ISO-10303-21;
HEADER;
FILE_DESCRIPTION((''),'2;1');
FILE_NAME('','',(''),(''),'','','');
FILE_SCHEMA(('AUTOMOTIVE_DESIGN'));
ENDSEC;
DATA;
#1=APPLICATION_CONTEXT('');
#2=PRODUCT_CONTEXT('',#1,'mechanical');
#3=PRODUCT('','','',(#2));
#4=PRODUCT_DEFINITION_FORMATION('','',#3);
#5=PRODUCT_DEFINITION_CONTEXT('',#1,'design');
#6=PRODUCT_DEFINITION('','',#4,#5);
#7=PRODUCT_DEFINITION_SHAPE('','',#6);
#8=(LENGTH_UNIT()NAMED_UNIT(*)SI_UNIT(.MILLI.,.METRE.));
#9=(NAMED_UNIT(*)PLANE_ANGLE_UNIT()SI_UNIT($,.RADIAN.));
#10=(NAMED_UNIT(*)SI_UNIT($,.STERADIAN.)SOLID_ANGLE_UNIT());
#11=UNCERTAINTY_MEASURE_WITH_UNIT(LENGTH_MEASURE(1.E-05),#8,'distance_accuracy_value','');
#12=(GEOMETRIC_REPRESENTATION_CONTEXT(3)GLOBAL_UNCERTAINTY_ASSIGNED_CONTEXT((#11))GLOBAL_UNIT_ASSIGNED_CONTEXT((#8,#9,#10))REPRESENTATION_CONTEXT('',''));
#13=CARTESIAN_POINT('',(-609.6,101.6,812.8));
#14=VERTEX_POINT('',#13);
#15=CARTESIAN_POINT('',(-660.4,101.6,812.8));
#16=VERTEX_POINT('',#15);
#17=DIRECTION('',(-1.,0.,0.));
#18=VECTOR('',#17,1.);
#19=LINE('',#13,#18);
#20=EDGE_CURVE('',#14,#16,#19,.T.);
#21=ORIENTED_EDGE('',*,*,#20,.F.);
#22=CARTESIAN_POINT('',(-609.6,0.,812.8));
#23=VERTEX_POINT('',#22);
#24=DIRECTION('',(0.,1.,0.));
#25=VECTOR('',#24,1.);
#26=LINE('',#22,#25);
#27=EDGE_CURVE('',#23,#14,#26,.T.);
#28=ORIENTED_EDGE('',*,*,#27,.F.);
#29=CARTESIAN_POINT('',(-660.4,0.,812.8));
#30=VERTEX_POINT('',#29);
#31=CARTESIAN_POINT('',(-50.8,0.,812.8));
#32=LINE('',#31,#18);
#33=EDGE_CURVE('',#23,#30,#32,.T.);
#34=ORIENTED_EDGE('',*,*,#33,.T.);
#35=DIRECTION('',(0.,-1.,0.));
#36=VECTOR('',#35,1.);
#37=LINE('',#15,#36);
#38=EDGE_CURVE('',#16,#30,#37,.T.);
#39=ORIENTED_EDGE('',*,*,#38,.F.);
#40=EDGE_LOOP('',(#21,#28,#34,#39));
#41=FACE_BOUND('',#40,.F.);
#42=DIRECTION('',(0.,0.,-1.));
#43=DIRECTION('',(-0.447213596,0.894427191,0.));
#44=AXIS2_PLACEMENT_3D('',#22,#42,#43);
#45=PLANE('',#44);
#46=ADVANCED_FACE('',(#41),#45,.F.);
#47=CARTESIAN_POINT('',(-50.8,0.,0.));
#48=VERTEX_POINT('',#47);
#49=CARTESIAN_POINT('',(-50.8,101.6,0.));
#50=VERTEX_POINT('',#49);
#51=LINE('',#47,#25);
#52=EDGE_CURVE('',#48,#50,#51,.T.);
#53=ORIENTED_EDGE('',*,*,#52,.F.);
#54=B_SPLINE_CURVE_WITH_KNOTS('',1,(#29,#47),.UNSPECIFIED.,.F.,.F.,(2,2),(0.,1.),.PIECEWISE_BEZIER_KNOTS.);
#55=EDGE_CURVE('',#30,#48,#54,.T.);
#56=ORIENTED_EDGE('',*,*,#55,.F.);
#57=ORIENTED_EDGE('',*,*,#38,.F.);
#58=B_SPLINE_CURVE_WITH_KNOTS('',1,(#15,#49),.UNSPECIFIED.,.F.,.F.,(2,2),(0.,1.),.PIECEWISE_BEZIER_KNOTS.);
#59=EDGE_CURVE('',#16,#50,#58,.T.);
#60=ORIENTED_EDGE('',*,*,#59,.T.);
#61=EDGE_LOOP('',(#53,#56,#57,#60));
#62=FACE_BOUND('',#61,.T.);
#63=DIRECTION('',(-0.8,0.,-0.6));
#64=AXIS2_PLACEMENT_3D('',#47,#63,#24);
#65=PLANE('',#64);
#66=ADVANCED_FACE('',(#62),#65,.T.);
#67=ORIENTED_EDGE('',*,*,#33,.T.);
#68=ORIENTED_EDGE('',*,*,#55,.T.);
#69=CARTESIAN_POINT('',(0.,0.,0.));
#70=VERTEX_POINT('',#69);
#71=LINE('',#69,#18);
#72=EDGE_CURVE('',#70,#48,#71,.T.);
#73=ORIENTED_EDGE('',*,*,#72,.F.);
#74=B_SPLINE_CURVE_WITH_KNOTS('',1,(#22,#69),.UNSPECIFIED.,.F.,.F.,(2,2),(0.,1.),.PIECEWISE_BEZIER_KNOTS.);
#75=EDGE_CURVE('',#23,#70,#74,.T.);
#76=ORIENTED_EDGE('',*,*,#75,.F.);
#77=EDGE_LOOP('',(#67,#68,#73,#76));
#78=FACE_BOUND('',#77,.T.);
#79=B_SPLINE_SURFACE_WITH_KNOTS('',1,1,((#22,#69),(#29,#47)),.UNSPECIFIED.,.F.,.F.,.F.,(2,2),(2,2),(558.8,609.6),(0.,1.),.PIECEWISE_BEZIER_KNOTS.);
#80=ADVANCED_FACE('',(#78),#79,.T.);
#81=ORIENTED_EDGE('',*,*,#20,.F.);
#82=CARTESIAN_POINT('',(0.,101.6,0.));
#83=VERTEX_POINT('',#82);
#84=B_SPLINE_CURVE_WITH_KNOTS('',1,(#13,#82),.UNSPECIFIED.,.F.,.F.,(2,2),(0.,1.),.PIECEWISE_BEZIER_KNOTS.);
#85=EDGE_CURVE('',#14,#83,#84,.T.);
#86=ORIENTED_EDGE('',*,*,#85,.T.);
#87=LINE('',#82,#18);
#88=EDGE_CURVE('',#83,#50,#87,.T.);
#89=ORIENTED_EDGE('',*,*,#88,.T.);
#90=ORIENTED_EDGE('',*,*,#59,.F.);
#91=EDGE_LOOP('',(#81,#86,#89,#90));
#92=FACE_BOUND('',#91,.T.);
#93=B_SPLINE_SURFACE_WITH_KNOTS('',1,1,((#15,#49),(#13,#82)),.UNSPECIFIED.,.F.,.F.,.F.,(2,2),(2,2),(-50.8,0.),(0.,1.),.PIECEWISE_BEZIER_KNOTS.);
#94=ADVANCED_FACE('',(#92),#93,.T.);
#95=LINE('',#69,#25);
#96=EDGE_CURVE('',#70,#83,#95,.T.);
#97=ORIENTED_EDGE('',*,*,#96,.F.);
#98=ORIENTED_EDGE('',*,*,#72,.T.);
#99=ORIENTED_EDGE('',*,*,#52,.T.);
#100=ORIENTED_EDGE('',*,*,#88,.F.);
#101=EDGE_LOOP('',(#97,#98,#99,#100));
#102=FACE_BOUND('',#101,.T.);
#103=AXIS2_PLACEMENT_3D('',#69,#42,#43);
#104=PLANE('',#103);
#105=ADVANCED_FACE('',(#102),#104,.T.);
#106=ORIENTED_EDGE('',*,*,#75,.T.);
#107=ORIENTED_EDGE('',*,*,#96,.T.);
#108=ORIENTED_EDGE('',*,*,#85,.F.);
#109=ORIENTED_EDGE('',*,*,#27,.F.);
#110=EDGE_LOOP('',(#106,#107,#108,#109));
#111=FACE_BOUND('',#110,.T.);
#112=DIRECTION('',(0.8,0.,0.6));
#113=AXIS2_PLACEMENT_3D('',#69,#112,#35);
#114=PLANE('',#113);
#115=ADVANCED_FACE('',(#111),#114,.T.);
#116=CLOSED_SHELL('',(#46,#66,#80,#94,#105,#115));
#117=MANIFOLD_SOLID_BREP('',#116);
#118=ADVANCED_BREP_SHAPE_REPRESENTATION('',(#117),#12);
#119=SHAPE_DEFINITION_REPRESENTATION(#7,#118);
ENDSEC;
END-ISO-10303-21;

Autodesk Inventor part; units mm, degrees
ref_plane "YZ Plane" through (0, 0, 0) normal (1, 0, 0) x (0, 1, 0)
ref_plane "XZ Plane" through (0, 0, 0) normal (0, 1, 0) x (-1, 0, 0)
ref_plane "XY Plane" through (0, 0, 0) normal (0, 0, 1) x (1, 0, 0)
ref_plane "Work Plane1" through (0, 0, 0) normal (0, 0, 1) x (1, 0, 0)
sketch "Sketch1" plane through (0, 0, 0) normal (0, 0, 1) x (1, 0, 0)
  line L0 (0, 0) -> (0, 101.6) projected
  line L1 (0, 101.6) -> (-50.8, 101.6) projected
  line L2 (-50.8, 0) -> (-50.8, 101.6) projected
  line L3 (0, 0) -> (-50.8, 0) projected
  line L4 (0, 101.6) -> (-50.8, 101.6)
  line L5 (-50.8, 101.6) -> (-50.8, 0)
  line L6 (-50.8, 0) -> (0, 0)
  line L7 (0, 0) -> (0, 101.6)
ref_plane "Work Plane2" through (-355.6, 50.8, 812.8) normal (0, 0, -1) x (-1, 0, 0)
sketch "Sketch2" plane through (-355.6, 50.8, 812.8) normal (0, 0, -1) x (-1, 0, 0)
  line L0 (-304.8, -50.8) -> (304.8, -50.8) projected
  line L1 (304.8, -50.8) -> (254, -50.8)
  line L2 (254, -50.8) -> (254, 50.8)
  line L3 (254, 50.8) -> (304.8, 50.8)
  line L4 (304.8, 50.8) -> (304.8, -50.8)
  point P0 (-355.6, -50.8)
  dimension "d0" = 101.6
  dimension "d1" = 50.8
loft "Loft1" add profiles "Sketch2", "Sketch1"
properties part number "LowerEarDiagonals"
